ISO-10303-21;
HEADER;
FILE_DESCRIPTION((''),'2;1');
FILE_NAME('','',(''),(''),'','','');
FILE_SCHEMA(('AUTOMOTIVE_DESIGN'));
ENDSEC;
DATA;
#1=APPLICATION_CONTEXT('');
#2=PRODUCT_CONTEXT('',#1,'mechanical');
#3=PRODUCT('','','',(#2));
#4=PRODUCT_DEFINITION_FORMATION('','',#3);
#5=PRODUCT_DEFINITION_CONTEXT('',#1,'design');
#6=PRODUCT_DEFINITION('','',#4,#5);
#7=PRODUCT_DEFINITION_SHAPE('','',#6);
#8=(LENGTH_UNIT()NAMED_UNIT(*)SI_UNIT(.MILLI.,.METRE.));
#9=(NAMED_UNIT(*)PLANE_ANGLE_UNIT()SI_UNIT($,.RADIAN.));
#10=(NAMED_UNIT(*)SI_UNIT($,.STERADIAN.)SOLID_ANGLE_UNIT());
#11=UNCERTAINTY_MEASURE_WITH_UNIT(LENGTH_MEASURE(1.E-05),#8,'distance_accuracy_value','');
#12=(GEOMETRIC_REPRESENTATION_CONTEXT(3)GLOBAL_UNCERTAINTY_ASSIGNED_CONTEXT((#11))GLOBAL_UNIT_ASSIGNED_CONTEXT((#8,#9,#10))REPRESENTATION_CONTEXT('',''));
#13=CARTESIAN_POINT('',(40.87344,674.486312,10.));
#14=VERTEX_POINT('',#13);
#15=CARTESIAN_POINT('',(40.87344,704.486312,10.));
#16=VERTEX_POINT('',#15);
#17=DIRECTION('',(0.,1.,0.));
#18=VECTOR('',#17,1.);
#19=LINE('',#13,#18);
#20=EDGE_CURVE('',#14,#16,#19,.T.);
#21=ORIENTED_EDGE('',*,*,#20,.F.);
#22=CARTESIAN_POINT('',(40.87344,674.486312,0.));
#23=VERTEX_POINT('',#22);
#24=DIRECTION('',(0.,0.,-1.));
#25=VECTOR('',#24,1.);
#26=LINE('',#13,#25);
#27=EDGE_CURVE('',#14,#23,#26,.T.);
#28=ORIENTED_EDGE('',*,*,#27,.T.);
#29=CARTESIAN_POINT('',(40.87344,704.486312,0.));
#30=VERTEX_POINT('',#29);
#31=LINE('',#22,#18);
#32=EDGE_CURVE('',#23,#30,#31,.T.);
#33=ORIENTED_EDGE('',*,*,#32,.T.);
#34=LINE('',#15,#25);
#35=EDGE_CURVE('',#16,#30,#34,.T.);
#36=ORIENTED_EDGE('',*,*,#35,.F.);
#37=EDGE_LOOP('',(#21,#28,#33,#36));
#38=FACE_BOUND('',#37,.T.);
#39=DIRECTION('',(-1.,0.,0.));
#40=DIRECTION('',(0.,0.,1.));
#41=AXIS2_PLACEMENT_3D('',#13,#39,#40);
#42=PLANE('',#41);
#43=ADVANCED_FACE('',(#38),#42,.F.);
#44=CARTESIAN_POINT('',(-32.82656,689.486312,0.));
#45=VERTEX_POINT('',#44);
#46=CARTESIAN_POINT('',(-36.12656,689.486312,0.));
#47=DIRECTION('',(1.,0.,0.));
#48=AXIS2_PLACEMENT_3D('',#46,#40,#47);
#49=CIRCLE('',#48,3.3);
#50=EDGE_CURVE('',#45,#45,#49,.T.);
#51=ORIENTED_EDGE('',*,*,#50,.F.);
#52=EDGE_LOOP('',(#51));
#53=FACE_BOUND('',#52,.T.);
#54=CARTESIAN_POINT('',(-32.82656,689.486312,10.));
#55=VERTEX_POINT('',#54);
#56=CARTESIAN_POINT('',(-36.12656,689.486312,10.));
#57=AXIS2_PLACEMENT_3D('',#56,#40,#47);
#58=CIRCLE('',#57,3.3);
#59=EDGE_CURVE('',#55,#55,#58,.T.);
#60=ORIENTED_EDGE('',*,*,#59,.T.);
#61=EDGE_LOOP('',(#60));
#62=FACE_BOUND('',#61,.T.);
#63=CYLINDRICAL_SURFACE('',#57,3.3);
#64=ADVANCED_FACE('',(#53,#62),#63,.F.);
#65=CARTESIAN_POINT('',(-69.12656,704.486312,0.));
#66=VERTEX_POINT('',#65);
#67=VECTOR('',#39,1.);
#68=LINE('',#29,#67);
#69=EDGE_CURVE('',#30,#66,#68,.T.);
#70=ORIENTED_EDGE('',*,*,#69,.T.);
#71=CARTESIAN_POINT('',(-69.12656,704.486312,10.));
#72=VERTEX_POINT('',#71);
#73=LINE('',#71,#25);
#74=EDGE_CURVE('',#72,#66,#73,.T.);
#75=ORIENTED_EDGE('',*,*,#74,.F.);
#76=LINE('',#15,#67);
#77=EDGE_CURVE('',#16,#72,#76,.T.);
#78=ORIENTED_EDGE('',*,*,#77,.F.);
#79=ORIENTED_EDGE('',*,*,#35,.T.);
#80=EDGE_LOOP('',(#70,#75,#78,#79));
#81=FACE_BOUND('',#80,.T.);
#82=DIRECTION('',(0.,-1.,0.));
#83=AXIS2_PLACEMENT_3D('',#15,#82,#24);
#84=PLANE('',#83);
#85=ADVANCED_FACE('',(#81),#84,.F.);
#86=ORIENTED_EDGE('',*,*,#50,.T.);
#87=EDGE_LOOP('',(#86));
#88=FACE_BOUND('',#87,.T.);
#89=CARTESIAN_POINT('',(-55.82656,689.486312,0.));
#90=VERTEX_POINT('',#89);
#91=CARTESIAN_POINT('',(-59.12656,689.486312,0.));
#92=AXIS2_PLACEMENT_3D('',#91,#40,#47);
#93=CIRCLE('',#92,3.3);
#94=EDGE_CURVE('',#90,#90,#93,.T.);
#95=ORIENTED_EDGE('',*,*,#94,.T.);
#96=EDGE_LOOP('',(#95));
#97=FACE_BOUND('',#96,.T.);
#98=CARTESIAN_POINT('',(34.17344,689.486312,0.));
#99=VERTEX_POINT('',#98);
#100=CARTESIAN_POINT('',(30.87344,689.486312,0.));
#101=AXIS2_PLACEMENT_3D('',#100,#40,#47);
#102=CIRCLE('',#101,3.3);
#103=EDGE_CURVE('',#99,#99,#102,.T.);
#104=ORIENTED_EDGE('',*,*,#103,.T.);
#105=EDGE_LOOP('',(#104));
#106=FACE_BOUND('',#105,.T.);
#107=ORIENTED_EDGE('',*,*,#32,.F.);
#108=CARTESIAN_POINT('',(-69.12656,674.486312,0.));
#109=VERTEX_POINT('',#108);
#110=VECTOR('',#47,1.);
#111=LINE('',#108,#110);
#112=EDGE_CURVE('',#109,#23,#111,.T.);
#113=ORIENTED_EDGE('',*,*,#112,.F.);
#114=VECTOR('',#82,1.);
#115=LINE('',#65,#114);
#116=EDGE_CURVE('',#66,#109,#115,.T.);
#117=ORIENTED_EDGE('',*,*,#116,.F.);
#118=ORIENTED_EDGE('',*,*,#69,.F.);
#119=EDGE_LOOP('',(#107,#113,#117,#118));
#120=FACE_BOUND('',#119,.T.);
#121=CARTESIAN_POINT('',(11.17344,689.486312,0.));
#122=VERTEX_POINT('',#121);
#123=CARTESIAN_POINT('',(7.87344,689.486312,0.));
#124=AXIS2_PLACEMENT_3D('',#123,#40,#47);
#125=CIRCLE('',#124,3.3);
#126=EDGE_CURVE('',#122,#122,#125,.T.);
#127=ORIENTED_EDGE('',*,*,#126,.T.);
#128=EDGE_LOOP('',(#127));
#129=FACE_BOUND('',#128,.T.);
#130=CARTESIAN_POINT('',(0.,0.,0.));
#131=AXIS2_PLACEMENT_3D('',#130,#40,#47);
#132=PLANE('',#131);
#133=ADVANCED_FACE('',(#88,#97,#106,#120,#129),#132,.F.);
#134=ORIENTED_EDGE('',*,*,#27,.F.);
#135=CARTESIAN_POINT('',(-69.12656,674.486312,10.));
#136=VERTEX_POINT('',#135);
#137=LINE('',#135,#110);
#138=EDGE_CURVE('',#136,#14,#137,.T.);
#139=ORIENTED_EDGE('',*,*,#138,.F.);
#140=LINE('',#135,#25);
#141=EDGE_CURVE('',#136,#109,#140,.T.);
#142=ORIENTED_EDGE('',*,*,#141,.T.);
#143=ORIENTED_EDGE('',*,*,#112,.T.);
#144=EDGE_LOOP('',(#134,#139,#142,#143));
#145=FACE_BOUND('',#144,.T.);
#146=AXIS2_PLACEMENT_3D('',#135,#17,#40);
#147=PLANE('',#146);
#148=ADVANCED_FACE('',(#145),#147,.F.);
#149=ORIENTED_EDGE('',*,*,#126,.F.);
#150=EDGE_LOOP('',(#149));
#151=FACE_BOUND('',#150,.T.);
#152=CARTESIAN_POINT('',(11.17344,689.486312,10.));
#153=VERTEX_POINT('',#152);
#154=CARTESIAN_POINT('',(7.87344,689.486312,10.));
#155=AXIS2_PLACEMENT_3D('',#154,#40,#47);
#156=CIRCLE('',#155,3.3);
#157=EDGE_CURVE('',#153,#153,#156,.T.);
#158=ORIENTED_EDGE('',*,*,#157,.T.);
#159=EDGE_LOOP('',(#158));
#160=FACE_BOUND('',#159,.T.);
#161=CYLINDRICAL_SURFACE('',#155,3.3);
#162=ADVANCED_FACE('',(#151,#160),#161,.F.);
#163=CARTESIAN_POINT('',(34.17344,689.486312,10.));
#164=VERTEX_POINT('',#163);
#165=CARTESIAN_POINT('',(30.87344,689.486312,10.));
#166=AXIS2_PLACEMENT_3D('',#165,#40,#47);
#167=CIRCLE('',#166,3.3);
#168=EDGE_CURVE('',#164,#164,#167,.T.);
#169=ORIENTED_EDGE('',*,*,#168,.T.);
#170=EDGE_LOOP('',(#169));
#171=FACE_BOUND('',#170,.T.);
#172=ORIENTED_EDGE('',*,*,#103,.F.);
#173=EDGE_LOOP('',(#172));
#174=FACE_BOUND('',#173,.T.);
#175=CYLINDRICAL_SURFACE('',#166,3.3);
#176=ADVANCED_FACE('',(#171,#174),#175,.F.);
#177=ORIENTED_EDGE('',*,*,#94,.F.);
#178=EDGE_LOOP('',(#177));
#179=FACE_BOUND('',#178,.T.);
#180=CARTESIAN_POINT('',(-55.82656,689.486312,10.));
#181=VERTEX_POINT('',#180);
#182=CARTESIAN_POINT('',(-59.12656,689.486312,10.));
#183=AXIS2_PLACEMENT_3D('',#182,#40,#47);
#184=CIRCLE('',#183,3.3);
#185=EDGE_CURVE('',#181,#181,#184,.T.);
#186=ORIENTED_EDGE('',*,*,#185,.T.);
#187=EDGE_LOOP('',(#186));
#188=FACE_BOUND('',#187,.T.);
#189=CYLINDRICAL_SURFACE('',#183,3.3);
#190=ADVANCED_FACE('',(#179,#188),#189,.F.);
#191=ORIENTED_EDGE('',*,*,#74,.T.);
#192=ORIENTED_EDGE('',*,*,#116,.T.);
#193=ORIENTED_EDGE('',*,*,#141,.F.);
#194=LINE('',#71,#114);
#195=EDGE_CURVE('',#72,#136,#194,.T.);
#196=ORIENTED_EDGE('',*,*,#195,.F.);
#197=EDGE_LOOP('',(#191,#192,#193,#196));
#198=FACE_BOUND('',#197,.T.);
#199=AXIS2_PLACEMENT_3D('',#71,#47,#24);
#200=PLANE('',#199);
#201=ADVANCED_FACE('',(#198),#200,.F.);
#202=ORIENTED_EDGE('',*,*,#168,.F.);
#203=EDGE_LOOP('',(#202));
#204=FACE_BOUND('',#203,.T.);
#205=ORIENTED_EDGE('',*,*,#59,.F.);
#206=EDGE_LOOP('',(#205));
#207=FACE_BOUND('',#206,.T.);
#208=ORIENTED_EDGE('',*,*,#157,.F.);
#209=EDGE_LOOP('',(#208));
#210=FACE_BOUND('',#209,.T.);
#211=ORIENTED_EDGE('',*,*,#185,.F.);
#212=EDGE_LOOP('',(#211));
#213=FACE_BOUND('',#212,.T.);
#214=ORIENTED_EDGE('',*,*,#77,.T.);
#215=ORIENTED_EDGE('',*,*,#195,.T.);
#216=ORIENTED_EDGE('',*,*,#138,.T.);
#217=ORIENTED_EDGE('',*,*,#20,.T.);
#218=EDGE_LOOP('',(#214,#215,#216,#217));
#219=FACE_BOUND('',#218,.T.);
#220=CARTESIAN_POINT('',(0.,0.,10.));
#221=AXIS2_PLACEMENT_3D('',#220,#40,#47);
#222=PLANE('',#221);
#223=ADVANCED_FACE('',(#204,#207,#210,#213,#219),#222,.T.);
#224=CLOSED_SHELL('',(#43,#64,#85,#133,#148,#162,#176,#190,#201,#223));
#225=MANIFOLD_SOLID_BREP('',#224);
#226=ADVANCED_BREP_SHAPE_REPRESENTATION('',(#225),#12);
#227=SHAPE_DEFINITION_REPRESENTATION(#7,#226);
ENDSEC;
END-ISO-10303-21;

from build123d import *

# Parameters (mm, degrees)
SKETCH1_W           = 110
SKETCH1_H           = 30
BOSS_EXTRUDE1_DEPTH = 10
M6_CLEARANCE_HOLE_D = 6.6


with BuildPart() as part:
    # Sketch1 → Boss-Extrude1 (new body)
    with BuildSketch(Plane.XY):
        with Locations((-14.126560257, 689.486311854)):
            Rectangle(SKETCH1_W, SKETCH1_H)
    extrude(amount=BOSS_EXTRUDE1_DEPTH)

    # M6 Clearance Hole (through all)
    with Locations(Plane(origin=(545.719230148, 1586.957920749, 10), x_dir=(-1, 0, 0), z_dir=(0, 0, 1))):
        with Locations((514.845790405, 1450.886073068), (514.845790405, 1412.886073068), (537.845790405, 1453.886073068), (537.845790405, 1409.886073068), (581.845790405, 1453.886073068), (581.845790405, 1409.886073068), (604.845790405, 1450.886073068), (604.845790405, 1412.886073068), (514.845790405, 897.471608895), (537.845790405, 897.471608895), (581.845790405, 897.471608895), (604.845790405, 897.471608895), (394.752371414, 1482.156083565), (514.845790405, 1431.886073068), (537.845790405, 1431.886073068), (581.845790405, 1431.886073068), (604.845790405, 1431.886073068)):
            Hole(M6_CLEARANCE_HOLE_D / 2)


solid = part.part
